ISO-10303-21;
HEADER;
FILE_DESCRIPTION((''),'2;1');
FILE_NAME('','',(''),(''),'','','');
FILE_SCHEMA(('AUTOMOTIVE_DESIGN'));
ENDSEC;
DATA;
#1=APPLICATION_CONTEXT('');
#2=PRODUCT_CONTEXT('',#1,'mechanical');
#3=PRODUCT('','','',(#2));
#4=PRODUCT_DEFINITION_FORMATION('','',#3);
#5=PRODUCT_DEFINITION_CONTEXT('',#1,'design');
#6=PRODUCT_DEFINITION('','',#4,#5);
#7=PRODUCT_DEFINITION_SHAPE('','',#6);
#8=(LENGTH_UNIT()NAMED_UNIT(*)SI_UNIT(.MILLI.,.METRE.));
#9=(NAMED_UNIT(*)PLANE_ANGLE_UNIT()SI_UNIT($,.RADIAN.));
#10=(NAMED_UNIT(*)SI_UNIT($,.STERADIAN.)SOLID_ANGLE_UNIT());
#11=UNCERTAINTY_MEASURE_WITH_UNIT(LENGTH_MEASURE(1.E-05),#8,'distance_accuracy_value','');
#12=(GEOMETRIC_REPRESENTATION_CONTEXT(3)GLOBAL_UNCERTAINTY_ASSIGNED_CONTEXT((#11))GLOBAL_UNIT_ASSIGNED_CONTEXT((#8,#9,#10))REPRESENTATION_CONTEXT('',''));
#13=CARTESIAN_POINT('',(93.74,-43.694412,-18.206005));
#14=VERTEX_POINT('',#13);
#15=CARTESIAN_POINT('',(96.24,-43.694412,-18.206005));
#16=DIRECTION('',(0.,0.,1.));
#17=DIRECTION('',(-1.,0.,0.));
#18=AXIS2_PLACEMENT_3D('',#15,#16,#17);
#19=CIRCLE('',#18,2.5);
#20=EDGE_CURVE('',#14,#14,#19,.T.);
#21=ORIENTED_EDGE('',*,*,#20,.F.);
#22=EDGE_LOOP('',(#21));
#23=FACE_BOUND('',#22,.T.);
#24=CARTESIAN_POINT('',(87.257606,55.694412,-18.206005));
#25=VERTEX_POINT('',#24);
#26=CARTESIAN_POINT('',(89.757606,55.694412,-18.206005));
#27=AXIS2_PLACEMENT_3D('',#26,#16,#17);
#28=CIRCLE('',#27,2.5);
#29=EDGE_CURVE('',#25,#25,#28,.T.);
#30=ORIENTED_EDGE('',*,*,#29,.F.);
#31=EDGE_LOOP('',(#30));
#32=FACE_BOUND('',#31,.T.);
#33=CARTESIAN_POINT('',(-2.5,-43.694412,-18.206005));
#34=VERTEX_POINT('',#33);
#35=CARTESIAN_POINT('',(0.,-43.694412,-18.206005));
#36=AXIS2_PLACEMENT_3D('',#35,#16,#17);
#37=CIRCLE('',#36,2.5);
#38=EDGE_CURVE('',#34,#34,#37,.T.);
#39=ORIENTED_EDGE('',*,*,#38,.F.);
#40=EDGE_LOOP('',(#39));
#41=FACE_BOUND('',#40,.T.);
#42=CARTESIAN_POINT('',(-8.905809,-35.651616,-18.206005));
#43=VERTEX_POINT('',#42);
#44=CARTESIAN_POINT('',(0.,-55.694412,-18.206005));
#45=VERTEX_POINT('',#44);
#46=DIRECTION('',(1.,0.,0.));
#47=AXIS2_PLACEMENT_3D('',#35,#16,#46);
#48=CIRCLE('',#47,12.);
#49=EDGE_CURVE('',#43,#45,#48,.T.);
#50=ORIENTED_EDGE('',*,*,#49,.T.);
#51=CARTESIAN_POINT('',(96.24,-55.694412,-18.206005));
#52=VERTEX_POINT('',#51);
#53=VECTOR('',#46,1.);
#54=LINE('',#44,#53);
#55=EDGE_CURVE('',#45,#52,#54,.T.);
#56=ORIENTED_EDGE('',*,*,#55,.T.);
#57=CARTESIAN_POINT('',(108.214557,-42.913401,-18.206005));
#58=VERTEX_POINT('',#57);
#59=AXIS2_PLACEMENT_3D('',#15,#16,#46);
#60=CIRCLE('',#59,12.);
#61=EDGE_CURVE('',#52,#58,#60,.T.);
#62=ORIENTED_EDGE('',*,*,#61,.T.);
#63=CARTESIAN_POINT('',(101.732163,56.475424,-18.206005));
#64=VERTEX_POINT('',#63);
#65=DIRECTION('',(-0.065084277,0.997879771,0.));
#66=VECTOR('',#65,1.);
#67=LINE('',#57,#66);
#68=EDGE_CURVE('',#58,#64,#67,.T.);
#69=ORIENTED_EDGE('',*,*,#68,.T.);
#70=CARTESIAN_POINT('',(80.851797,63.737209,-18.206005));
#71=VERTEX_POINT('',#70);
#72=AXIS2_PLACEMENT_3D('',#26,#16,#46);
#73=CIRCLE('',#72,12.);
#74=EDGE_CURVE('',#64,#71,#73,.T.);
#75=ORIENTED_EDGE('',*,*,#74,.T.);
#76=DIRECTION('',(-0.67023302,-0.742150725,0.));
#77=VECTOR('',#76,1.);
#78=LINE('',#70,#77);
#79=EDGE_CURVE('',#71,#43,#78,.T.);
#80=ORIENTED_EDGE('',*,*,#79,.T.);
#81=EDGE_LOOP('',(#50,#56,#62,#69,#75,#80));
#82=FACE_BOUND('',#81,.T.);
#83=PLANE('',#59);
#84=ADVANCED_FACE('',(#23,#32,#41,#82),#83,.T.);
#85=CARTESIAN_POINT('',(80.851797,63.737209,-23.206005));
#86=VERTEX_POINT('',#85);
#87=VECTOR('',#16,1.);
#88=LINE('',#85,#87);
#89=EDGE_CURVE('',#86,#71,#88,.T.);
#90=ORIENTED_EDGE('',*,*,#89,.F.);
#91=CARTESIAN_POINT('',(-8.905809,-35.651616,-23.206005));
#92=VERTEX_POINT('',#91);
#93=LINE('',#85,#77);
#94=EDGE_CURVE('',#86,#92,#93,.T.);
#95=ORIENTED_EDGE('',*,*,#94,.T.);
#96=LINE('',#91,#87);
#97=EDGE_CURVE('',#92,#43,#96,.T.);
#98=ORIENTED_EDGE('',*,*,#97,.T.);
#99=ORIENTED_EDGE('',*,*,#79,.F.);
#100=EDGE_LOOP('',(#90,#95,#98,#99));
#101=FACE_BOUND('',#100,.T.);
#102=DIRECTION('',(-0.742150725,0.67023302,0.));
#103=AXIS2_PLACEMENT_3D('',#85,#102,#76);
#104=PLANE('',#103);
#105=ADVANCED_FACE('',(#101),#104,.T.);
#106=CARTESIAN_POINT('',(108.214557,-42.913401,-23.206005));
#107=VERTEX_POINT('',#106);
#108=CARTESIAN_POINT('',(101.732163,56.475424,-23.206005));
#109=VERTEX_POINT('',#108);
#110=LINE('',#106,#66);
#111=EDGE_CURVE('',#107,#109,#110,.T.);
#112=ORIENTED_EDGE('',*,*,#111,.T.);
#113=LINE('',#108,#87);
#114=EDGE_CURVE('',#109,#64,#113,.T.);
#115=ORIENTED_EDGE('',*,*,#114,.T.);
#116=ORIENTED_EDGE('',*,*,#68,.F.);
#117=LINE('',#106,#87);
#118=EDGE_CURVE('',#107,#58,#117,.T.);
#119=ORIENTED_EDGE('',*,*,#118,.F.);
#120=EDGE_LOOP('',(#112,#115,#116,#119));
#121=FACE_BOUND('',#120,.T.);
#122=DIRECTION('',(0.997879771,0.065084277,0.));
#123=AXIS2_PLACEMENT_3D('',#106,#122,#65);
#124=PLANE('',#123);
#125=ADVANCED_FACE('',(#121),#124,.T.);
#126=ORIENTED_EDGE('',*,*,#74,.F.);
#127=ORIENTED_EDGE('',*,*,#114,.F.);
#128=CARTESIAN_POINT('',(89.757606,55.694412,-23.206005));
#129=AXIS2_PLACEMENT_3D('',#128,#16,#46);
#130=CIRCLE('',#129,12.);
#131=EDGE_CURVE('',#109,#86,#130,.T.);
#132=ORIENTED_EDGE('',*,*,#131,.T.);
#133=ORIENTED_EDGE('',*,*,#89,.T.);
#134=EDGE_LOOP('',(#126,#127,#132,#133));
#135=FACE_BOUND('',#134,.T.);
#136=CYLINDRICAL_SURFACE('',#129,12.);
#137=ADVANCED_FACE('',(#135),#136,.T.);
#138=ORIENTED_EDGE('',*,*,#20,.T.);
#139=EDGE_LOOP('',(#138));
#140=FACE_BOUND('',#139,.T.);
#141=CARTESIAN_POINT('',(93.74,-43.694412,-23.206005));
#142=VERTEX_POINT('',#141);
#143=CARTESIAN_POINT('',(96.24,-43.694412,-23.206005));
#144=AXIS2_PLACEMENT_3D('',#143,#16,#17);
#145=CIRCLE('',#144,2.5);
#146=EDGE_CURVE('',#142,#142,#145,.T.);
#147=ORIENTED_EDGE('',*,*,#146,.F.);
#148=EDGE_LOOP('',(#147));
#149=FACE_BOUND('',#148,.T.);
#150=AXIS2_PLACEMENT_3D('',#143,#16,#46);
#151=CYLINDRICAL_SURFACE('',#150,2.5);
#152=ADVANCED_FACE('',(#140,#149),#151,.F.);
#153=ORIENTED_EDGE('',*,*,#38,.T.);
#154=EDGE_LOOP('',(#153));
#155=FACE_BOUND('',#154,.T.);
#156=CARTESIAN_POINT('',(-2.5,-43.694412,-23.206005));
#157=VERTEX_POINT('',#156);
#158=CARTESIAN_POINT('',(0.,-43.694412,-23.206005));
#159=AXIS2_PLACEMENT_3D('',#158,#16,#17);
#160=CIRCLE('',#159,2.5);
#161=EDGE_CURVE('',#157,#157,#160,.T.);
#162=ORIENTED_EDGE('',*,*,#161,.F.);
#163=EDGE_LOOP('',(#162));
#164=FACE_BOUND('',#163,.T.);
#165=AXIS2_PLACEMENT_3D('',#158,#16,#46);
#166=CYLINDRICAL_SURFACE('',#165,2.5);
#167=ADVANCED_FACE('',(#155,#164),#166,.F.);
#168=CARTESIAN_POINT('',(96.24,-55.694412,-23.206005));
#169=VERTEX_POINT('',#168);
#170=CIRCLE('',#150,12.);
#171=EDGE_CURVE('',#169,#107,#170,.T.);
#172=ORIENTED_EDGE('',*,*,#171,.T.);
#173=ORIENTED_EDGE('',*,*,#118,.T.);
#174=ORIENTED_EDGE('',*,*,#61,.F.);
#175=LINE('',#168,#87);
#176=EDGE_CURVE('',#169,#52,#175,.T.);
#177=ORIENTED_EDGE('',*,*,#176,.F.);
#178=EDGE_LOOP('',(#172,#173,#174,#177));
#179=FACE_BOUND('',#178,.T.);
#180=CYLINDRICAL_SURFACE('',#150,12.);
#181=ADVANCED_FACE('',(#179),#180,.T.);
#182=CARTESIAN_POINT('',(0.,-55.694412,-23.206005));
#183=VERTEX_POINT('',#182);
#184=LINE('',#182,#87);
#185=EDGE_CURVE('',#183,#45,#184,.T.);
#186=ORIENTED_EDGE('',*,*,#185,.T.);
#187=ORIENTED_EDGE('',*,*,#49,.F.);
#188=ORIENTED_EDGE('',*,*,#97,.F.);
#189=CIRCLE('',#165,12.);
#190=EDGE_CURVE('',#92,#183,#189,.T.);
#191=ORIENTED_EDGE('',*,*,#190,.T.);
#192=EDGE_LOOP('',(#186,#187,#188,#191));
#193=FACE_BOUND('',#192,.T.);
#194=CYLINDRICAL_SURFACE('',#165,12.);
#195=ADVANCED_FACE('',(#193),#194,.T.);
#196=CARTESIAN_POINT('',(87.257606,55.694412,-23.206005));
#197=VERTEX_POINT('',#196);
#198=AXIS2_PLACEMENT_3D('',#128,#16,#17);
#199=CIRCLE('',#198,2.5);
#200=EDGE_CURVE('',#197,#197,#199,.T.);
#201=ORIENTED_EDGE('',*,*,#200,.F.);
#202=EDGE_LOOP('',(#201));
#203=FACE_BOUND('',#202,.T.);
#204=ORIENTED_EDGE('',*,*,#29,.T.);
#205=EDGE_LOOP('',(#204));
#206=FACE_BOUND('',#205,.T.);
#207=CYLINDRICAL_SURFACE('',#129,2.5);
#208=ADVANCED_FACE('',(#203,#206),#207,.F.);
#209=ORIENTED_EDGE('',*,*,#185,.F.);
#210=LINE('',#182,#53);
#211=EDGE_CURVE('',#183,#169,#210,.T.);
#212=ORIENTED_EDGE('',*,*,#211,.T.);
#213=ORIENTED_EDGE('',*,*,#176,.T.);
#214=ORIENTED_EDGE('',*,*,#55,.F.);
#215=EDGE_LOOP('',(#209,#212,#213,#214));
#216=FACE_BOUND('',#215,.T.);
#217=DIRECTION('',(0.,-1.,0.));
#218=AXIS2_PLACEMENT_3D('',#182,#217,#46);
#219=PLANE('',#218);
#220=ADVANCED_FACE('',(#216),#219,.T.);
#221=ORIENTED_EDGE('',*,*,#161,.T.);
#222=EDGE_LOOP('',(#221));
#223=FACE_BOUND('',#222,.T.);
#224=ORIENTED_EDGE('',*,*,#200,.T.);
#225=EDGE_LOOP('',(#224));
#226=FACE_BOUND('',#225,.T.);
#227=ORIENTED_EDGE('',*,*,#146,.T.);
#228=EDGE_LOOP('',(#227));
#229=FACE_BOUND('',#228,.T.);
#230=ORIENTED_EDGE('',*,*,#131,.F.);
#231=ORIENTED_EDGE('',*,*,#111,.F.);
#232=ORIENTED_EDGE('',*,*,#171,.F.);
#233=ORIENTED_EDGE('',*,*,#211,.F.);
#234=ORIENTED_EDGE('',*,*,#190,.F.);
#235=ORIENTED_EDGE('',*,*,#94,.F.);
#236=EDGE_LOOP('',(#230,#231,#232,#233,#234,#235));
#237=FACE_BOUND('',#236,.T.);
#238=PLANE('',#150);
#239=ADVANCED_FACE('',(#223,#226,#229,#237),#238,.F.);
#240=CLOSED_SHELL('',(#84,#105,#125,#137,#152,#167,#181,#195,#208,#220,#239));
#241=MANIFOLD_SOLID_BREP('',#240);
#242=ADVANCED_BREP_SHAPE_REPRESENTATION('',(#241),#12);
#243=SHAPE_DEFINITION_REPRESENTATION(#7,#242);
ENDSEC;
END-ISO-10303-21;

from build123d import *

# Parameters (mm, degrees)
SKETCH_1_R      = 2.5
EXTRUDE_1_DEPTH = 5


with BuildPart() as part:
    # 草图1 → 凸台-拉伸1 (new body)
    with BuildSketch(Plane.XY.offset(-18.206005243)):
        with BuildLine():
            Line((108.214557081, -42.91340116), (101.732163058, 56.475423815))
            ThreePointArc((101.732163058, 56.475423815), (93.699392778, 67.028534207), (80.851797136, 63.737208711))
            Line((80.851797136, 63.737208711), (-8.905808702, -35.651616247))
            ThreePointArc((-8.905808702, -35.651616247), (-10.966165116, -48.567114254), (0, -55.694412478))
            Line((0, -55.694412478), (96.239999844, -55.694412478))
            ThreePointArc((96.239999844, -55.694412478), (104.997058016, -51.898919293), (108.214557081, -42.91340116))
        make_face()
        with Locations(Location((89.757605827, 55.694412486, 0), (0, 0, 180))):
            Circle(SKETCH_1_R, mode=Mode.SUBTRACT)
        with Locations(Location((96.239999844, -43.694412489, 0), (0, 0, 180))):
            Circle(SKETCH_1_R, mode=Mode.SUBTRACT)
        with Locations(Location((0, -43.694412482, 0), (0, 0, 180))):
            Circle(SKETCH_1_R, mode=Mode.SUBTRACT)
    extrude(amount=-EXTRUDE_1_DEPTH)


solid = part.part
